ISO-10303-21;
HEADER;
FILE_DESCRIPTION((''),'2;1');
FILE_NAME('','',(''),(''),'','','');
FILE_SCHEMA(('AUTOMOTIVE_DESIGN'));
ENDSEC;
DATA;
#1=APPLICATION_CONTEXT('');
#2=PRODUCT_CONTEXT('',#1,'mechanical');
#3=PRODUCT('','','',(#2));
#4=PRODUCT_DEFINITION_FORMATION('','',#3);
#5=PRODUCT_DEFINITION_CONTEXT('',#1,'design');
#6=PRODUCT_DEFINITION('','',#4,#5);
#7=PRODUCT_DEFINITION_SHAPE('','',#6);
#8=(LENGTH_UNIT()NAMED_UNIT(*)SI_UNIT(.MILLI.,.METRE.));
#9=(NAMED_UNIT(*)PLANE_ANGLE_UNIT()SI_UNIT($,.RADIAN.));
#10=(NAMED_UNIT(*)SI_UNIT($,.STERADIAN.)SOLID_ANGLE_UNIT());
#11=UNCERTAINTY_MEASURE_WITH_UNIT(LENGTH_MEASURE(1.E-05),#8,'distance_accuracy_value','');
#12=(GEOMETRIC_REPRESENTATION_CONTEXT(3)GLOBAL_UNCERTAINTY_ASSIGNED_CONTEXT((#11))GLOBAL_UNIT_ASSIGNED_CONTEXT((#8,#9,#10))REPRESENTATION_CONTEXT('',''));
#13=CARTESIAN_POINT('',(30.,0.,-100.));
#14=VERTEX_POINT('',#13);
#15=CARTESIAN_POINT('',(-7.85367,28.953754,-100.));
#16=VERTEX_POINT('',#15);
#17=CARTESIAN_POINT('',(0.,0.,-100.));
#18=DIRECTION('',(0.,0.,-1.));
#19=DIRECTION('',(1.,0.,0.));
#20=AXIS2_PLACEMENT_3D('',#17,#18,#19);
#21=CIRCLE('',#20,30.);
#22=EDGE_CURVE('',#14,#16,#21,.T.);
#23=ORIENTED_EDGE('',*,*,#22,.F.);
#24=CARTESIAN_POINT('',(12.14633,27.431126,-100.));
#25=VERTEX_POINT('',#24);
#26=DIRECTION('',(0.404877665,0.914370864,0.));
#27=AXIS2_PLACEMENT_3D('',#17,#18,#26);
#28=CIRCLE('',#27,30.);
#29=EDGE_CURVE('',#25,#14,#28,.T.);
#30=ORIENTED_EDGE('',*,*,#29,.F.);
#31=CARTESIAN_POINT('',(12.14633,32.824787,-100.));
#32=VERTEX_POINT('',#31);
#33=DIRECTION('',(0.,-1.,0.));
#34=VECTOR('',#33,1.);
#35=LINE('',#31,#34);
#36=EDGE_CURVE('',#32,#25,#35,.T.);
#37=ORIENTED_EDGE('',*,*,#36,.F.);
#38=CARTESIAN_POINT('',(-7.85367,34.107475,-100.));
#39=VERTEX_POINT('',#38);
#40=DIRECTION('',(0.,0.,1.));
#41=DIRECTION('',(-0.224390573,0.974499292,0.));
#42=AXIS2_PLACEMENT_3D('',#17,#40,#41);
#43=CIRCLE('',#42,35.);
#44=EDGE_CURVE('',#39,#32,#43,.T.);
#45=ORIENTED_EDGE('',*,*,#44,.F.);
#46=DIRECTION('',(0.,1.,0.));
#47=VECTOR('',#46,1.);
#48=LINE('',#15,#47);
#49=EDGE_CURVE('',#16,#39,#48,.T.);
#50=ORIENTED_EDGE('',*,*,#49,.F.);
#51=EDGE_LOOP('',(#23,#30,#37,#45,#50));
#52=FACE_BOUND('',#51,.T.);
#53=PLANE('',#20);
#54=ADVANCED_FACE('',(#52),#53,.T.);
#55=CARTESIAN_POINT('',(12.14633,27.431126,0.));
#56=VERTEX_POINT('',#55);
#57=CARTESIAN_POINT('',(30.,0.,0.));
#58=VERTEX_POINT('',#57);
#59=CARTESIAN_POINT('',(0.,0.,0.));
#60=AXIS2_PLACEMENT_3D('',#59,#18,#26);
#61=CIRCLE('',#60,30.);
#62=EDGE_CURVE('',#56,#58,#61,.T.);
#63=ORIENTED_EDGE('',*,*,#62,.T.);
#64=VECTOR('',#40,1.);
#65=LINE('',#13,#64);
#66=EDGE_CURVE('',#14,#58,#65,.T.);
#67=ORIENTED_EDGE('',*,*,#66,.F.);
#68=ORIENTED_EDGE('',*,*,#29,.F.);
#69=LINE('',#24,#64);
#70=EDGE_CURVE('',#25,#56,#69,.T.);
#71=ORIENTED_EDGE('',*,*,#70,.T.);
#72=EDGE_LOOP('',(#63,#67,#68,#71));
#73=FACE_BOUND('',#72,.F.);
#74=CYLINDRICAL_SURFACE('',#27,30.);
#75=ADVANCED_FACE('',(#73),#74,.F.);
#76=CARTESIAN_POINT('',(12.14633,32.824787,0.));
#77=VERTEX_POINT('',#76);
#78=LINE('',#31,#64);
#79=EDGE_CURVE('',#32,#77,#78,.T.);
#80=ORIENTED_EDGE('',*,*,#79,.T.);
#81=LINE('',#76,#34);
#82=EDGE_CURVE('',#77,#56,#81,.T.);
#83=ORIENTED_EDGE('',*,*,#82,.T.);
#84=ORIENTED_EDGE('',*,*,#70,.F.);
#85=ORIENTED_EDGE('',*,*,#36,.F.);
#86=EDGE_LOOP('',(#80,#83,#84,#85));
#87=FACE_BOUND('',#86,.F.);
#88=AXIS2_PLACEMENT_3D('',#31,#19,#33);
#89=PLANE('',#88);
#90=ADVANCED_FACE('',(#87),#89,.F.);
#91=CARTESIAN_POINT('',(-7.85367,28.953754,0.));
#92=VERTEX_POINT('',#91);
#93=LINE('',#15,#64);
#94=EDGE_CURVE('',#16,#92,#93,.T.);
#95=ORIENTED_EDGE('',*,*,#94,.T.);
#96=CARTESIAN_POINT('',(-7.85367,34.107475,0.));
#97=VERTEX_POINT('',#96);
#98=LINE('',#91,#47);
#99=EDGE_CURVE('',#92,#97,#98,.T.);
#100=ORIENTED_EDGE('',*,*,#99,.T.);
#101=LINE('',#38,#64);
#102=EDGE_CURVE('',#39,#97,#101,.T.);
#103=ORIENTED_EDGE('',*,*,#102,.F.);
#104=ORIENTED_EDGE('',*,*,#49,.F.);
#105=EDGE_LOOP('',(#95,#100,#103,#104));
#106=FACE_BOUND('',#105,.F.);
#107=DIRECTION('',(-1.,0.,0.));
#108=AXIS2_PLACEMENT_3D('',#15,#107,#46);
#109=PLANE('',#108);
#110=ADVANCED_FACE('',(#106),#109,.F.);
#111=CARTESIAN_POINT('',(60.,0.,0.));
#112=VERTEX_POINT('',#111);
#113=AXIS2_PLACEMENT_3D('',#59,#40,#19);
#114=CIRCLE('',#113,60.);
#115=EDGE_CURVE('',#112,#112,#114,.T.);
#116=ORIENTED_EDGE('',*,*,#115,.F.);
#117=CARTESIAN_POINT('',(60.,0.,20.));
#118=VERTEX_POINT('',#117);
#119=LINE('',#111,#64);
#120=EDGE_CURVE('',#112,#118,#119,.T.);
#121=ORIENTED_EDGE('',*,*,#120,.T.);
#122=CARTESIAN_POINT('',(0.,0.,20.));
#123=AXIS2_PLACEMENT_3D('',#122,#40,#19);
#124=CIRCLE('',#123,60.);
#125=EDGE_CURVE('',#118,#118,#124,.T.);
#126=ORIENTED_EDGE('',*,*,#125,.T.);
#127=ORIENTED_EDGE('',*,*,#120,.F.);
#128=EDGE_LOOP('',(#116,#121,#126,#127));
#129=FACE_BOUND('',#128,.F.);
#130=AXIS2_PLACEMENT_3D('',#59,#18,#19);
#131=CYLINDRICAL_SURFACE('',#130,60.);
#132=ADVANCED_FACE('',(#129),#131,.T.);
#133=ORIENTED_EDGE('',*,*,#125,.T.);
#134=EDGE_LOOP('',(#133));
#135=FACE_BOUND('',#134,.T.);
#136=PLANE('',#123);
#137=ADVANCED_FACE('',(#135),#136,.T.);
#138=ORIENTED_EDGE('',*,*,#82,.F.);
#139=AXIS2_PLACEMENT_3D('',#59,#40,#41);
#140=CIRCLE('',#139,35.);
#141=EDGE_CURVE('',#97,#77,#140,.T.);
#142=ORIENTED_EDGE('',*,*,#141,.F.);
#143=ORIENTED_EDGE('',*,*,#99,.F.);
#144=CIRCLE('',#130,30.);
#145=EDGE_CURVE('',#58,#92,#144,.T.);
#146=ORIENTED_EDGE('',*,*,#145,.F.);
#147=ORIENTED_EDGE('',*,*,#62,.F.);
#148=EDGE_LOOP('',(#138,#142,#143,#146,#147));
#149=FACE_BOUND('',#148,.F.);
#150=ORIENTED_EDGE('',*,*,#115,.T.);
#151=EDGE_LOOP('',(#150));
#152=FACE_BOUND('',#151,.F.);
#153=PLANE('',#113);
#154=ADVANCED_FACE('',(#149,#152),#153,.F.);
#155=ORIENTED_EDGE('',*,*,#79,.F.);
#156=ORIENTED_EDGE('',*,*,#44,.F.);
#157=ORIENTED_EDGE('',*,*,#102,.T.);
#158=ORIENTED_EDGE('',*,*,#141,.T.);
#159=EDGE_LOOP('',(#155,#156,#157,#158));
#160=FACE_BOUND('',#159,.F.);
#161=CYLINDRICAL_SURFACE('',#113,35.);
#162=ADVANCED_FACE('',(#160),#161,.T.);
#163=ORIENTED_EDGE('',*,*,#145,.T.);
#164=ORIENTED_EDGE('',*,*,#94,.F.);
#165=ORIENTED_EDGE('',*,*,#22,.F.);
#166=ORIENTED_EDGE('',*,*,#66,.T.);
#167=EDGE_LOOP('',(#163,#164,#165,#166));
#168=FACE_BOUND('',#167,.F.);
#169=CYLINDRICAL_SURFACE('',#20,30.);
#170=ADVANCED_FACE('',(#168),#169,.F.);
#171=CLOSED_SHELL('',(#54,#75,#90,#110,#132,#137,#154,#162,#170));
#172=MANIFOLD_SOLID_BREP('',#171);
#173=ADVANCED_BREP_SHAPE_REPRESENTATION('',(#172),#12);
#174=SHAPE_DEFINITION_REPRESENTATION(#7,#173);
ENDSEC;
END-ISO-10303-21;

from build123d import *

# Parameters (mm, degrees)
F0_R     = 60
F1_DEPTH = 20
F2_R     = 35
F3_DEPTH = 100
F5_DEPTH = 100


with BuildPart() as f1:
    # F0 (on Top) → F1 (new body)
    with BuildSketch(Plane.XY):
        Circle(F0_R)
    extrude(amount=F1_DEPTH)

    # F2 (on face) → F3 (join)
    with BuildSketch(Plane(origin=(0, 0, 0), x_dir=(1, 0, 0), z_dir=(0, 0, -1))):
        Circle(F2_R)
    extrude(amount=F3_DEPTH)

    # F4 (on face) → F5 (cut)
    with BuildSketch(Plane(origin=(0, 0, -100), x_dir=(1, 0, 0), z_dir=(0, 0, -1))):
        with BuildLine():
            Line((-7.8536700457, -25.464490056), (-7.8536700457, -28.953753933))
            ThreePointArc((-7.8536700457, -28.953753933), (2.2773518168, -29.913436257), (12.1463299543, -27.4311259091))
            Line((12.1463299543, -27.4311259091), (12.1463299543, -25.464490056))
            Line((12.1463299543, -25.464490056), (-7.8536700457, -25.464490056))
        make_face()
        with BuildLine():
            ThreePointArc((12.1463299543, -27.4311259091), (25.1434872147, -16.3647502482), (30, 0))
            ThreePointArc((30, 0), (-18.22621599, 23.8286602789), (-7.8536700457, -28.953753933))
            Line((-7.8536700457, -28.953753933), (-7.8536700457, -25.464490056))
            Line((-7.8536700457, -25.464490056), (12.1463299543, -25.464490056))
            Line((12.1463299543, -25.464490056), (12.1463299543, -27.4311259091))
        make_face()
        with BuildLine():
            ThreePointArc((12.1463299543, -27.4311259091), (2.2773518168, -29.913436257), (-7.8536700457, -28.953753933))
            Line((-7.8536700457, -28.953753933), (-7.8536700457, -34.1074752336))
            ThreePointArc((-7.8536700457, -34.1074752336), (2.2401014005, -34.9282399459), (12.1463299543, -32.824787412))
            Line((12.1463299543, -32.824787412), (12.1463299543, -27.4311259091))
        make_face()
    extrude(amount=-F5_DEPTH, mode=Mode.SUBTRACT)


solid = f1.part
